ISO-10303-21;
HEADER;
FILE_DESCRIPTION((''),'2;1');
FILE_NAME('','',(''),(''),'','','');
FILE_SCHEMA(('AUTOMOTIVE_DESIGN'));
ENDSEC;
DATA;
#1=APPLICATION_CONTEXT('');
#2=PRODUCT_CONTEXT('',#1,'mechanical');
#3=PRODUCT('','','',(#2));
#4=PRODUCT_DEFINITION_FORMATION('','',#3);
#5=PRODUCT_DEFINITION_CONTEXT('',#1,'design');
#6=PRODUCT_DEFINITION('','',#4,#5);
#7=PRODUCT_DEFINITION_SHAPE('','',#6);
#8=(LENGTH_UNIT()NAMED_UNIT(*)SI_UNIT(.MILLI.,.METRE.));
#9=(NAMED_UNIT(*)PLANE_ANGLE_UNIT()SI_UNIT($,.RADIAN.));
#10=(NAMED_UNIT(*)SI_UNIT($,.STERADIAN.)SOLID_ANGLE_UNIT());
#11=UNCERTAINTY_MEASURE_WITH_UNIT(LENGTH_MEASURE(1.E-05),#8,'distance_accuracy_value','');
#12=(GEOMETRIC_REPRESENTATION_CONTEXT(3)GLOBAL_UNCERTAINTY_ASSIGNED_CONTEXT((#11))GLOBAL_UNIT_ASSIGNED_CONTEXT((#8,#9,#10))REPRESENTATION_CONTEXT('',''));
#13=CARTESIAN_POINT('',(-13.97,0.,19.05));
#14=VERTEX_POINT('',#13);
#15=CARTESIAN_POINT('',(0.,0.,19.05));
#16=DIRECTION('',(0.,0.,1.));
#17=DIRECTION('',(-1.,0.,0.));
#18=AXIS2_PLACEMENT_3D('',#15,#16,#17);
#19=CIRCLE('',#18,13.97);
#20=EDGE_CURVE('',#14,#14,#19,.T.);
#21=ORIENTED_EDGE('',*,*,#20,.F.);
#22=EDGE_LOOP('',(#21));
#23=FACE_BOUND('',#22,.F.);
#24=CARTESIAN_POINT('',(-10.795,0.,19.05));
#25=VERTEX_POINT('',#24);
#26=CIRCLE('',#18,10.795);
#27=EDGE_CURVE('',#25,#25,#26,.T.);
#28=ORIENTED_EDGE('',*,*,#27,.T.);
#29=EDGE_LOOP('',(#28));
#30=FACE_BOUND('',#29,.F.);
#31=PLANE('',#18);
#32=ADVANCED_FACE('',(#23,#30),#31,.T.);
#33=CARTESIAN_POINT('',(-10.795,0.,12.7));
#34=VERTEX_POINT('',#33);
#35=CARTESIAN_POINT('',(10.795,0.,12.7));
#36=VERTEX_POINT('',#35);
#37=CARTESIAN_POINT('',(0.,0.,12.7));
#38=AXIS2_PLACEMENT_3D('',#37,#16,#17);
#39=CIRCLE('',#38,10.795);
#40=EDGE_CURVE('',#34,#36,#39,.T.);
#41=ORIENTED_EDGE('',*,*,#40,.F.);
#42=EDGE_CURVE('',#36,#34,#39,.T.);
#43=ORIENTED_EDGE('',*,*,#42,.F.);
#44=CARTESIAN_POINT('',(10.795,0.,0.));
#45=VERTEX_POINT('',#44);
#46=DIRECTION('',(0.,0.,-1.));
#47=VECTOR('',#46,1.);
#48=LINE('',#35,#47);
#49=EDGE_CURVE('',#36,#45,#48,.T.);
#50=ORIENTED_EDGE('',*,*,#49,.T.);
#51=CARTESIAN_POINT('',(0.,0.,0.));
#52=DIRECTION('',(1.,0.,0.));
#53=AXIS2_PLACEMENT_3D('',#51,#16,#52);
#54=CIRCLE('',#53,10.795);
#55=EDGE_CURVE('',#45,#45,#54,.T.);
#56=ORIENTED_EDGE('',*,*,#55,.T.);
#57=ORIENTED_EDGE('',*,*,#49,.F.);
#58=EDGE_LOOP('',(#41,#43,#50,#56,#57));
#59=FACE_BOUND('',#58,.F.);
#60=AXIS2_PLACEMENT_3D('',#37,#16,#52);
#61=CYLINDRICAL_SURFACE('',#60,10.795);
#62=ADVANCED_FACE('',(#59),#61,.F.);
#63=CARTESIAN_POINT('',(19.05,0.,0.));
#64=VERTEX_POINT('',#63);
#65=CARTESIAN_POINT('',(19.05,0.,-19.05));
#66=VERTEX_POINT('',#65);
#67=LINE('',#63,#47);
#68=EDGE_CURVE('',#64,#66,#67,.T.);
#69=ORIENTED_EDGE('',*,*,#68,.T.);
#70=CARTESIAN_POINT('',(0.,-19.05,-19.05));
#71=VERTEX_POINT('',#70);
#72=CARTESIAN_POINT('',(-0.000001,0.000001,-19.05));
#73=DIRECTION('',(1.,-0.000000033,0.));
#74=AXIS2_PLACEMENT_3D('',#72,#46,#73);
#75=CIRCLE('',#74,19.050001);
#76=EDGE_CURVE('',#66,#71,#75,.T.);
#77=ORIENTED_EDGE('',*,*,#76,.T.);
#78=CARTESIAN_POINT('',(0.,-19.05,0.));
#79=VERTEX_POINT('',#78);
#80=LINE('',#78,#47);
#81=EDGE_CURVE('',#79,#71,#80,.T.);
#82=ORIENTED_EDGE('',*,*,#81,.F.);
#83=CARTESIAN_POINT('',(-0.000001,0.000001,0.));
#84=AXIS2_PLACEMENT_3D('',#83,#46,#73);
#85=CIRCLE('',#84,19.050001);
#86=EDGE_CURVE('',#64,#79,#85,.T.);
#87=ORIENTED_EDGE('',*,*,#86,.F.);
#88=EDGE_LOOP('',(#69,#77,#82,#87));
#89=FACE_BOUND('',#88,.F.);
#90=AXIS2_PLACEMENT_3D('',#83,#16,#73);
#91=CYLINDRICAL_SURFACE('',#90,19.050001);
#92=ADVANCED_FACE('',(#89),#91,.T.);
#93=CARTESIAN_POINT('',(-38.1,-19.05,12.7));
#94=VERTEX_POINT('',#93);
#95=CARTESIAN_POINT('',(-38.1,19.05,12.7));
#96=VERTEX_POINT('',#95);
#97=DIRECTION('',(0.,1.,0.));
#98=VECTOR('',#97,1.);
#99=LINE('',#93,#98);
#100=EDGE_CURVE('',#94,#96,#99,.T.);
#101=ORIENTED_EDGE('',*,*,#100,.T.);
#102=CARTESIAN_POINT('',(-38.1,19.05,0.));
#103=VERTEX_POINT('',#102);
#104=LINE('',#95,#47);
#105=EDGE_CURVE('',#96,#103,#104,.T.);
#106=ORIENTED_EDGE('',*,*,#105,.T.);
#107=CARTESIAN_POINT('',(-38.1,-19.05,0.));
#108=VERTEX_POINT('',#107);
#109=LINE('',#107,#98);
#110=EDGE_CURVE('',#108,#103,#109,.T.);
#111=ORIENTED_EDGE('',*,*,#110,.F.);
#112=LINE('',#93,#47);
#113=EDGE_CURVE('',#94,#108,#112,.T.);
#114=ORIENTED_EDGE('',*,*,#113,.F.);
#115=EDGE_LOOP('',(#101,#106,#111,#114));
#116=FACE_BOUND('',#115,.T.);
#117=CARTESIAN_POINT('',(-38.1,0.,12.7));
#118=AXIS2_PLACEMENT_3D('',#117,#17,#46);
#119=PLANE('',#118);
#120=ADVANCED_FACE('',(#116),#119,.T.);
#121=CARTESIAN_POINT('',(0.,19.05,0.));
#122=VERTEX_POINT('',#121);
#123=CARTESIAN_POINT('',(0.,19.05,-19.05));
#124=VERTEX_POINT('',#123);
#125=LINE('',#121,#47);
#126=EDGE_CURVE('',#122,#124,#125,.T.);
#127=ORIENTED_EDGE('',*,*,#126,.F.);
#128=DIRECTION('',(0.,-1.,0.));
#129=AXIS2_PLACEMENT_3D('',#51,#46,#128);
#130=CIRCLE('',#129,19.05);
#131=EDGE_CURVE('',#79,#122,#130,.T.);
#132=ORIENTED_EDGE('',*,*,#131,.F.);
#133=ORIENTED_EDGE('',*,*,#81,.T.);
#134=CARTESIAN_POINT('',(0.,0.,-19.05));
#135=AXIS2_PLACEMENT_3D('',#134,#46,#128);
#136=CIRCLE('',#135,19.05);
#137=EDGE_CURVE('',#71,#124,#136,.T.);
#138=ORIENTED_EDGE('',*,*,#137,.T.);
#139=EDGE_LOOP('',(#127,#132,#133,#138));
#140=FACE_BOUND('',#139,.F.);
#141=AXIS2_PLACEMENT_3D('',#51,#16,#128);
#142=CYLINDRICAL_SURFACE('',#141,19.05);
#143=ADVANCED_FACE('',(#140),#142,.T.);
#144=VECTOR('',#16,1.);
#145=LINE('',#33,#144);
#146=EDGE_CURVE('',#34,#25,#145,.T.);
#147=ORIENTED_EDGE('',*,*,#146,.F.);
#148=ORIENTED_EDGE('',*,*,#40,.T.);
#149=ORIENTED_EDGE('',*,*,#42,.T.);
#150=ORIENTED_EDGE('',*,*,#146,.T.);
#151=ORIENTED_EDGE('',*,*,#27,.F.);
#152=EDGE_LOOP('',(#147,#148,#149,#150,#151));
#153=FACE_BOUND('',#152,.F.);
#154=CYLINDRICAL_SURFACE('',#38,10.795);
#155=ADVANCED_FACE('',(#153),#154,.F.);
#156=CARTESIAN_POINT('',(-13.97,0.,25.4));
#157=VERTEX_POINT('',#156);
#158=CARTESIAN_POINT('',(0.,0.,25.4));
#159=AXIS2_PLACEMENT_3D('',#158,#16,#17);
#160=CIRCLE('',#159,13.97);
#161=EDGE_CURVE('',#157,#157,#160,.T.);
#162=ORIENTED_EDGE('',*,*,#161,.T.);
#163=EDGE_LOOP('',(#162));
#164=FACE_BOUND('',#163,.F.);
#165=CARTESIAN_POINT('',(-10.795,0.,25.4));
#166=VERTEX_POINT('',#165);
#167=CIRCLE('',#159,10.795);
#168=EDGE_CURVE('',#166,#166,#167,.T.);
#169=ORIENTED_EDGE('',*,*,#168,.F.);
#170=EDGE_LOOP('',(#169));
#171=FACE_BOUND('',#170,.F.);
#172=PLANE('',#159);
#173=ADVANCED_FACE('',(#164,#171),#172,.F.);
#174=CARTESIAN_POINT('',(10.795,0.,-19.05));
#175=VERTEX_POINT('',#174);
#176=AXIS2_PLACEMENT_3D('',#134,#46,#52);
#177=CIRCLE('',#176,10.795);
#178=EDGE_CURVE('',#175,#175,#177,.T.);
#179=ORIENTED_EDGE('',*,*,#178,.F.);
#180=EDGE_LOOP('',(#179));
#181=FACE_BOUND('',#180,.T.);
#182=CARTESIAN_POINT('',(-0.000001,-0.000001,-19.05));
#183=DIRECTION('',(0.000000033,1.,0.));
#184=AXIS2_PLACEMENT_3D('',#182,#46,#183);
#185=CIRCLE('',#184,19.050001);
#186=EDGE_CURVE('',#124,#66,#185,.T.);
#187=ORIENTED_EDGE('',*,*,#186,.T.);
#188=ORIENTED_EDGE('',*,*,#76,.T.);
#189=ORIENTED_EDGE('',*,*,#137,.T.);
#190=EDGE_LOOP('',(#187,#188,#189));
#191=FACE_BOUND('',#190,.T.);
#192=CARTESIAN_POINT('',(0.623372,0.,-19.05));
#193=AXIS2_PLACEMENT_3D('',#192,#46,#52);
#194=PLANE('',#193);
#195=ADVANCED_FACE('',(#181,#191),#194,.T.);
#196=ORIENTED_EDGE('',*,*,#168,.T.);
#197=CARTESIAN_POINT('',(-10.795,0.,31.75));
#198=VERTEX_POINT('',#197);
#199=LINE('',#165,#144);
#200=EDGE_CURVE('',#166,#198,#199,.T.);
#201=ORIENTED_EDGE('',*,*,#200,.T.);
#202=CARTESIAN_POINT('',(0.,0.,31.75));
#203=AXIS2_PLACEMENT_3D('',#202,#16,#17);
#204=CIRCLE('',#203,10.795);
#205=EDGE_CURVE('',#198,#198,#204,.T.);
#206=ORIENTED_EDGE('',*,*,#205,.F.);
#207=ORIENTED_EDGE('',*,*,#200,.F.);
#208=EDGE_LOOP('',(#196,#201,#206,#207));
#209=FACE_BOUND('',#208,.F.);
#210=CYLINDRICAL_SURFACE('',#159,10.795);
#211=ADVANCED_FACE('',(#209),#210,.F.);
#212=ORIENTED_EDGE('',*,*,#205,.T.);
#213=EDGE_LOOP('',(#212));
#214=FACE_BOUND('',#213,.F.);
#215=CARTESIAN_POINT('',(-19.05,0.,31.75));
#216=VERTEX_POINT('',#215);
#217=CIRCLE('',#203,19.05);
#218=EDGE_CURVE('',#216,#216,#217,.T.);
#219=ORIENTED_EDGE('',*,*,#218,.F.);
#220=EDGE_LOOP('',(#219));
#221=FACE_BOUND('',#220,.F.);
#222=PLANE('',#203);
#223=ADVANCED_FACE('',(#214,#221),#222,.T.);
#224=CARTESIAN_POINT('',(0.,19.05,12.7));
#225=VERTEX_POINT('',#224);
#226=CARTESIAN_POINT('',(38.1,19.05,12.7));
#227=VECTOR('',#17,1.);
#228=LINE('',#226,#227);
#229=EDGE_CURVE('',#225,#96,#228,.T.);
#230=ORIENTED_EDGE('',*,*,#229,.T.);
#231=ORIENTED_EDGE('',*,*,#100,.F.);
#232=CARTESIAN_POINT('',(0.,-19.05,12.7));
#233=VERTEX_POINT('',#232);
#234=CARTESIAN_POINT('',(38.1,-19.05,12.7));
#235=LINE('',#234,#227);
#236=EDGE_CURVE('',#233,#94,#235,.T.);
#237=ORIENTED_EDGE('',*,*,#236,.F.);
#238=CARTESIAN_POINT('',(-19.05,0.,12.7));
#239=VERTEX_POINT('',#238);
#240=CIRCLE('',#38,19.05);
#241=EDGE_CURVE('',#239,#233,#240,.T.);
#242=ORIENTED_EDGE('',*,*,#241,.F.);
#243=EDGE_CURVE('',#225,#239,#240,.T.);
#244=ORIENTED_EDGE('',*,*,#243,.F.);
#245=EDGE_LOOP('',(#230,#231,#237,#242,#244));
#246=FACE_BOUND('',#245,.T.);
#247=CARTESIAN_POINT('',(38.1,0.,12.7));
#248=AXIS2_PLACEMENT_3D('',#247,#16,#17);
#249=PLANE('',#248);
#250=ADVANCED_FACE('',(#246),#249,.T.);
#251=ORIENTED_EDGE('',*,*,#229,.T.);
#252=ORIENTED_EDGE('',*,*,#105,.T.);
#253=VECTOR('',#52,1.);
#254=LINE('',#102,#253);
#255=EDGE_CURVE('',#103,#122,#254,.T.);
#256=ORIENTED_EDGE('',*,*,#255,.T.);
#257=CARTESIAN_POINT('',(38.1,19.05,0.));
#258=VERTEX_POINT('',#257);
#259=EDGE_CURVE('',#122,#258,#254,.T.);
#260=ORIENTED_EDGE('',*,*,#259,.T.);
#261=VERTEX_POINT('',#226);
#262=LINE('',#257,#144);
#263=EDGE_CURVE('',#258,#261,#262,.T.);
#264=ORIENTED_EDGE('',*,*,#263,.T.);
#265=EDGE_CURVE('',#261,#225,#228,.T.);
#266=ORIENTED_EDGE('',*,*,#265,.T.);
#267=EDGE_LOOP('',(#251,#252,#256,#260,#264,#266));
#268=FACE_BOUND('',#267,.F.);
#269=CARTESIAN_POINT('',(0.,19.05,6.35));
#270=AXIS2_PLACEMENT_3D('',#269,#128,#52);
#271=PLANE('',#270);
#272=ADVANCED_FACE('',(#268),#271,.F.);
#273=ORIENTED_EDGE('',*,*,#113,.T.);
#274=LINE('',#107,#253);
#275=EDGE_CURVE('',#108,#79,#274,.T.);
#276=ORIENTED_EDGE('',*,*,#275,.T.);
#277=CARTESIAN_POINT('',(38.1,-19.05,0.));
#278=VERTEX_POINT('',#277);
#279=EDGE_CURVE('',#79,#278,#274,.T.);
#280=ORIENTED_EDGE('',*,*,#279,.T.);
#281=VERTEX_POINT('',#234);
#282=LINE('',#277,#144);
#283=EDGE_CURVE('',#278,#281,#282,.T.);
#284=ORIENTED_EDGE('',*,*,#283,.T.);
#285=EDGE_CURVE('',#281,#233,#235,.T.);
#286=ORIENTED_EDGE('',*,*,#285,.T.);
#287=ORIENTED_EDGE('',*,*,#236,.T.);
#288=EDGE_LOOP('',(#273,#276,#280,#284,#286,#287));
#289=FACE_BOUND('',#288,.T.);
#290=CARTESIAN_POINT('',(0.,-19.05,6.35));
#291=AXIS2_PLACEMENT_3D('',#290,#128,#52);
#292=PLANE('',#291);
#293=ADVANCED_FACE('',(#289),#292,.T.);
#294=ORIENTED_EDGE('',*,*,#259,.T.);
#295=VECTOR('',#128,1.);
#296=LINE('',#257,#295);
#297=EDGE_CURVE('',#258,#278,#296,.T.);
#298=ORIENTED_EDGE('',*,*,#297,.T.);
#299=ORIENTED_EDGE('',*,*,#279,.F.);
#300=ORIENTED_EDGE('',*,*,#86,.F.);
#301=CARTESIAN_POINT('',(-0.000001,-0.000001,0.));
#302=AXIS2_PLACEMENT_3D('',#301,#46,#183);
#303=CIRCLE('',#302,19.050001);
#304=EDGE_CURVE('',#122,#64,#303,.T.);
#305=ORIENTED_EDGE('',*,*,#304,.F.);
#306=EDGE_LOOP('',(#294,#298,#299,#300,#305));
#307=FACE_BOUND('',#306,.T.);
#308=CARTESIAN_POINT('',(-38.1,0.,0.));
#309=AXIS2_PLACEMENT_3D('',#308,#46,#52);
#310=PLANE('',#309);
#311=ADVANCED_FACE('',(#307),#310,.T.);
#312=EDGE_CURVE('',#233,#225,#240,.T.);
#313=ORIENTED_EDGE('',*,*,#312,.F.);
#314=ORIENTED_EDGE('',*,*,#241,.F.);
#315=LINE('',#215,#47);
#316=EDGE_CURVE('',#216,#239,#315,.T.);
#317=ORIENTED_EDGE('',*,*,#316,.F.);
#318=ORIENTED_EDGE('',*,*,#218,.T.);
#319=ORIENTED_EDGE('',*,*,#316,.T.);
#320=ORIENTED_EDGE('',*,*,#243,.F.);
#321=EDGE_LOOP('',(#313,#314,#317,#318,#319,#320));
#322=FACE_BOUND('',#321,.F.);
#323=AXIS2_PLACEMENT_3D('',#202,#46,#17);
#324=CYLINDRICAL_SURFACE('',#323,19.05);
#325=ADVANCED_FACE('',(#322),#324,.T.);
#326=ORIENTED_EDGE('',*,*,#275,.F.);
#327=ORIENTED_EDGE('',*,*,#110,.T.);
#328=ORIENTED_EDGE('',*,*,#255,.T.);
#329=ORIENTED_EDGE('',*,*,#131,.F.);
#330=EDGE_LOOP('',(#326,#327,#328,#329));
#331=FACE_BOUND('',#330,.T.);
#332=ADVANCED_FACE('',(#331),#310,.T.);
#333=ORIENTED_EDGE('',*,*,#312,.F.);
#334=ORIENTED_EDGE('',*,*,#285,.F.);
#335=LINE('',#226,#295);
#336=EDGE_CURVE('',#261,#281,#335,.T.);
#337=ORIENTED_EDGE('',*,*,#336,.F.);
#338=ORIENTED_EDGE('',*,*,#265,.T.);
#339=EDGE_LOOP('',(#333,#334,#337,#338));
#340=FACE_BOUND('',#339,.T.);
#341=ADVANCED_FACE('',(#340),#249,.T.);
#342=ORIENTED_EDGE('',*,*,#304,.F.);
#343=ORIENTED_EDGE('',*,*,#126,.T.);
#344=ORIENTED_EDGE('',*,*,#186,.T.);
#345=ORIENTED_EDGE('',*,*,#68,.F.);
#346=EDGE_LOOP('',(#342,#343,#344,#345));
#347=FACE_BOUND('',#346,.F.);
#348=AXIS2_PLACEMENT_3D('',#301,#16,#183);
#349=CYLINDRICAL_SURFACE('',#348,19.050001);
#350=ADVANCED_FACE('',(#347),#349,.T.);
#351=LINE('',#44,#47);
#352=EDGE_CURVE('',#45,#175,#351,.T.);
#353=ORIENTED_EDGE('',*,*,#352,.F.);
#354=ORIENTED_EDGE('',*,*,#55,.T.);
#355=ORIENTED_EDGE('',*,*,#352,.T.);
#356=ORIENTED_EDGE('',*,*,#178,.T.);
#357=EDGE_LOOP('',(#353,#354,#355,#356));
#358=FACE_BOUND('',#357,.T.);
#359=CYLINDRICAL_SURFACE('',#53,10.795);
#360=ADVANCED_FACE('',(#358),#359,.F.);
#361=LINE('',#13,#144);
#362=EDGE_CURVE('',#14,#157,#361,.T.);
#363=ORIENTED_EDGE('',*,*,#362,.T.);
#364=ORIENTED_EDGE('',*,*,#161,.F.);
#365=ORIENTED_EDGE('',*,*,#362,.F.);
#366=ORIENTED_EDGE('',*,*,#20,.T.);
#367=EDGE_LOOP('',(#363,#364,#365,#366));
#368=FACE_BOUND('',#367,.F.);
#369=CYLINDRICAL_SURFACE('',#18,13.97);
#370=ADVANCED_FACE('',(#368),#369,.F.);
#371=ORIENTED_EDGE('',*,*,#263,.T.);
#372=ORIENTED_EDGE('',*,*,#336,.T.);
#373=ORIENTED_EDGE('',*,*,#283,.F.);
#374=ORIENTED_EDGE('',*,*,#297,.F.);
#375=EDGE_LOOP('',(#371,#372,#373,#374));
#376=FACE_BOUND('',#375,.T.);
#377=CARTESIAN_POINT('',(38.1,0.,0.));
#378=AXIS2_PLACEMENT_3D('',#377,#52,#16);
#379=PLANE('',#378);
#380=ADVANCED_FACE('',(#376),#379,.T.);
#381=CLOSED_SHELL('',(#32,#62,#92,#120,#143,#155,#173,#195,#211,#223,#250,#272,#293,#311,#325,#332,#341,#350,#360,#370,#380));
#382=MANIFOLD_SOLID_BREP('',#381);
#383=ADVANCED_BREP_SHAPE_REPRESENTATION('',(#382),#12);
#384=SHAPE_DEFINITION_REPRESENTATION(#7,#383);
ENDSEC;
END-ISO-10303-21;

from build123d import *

# Parameters (mm, degrees)
F1_DEPTH  = 19.05
F3_FACE_R = 10.795
F4_DEPTH  = 25.4
F5_R      = 10.795
F6_DEPTH  = 19.05


with BuildPart() as f1:
    # F0 (on Front) → F1 (new body, symmetric)
    with BuildSketch(Plane.XZ):
        Polygon((-38.1, 0), (0, 0), (38.1, 0), (38.1, 12.7), (-38.1, 12.7), align=None)
    extrude(amount=F1_DEPTH, both=True)

    # F2 (on Front) → F3 (revolve)
    with BuildSketch(Plane.XZ):
        Polygon((-19.05, 31.75), (-19.05, 12.7), (-10.795, 12.7), (-10.795, 19.05), (-13.97, 19.05), (-13.97, 25.4), (-10.795, 25.4), (-10.795, 31.75), align=None)
    revolve(axis=Axis((0, 0, 15.662436), (0, 0, 1)))

    # F3_face (on face) → F4 (cut)
    with BuildSketch(Plane.XY.offset(12.7)):
        Circle(F3_FACE_R)
    extrude(amount=-F4_DEPTH, mode=Mode.SUBTRACT)

    # F5 (on face) → F6 (join)
    with BuildSketch(Plane(origin=(0, 0, 0), x_dir=(1, 0, 0), z_dir=(0, 0, -1))):
        with BuildLine():
            ThreePointArc((0, -19.05), (13.470384, -13.470384), (19.05, 0))
            ThreePointArc((19.05, 0), (13.470384, 13.470384), (0, 19.05))
            ThreePointArc((0, 19.05), (-19.05, 0), (0, -19.05))
        make_face()
        Circle(F5_R, mode=Mode.SUBTRACT)
    extrude(amount=F6_DEPTH)


solid = f1.part
